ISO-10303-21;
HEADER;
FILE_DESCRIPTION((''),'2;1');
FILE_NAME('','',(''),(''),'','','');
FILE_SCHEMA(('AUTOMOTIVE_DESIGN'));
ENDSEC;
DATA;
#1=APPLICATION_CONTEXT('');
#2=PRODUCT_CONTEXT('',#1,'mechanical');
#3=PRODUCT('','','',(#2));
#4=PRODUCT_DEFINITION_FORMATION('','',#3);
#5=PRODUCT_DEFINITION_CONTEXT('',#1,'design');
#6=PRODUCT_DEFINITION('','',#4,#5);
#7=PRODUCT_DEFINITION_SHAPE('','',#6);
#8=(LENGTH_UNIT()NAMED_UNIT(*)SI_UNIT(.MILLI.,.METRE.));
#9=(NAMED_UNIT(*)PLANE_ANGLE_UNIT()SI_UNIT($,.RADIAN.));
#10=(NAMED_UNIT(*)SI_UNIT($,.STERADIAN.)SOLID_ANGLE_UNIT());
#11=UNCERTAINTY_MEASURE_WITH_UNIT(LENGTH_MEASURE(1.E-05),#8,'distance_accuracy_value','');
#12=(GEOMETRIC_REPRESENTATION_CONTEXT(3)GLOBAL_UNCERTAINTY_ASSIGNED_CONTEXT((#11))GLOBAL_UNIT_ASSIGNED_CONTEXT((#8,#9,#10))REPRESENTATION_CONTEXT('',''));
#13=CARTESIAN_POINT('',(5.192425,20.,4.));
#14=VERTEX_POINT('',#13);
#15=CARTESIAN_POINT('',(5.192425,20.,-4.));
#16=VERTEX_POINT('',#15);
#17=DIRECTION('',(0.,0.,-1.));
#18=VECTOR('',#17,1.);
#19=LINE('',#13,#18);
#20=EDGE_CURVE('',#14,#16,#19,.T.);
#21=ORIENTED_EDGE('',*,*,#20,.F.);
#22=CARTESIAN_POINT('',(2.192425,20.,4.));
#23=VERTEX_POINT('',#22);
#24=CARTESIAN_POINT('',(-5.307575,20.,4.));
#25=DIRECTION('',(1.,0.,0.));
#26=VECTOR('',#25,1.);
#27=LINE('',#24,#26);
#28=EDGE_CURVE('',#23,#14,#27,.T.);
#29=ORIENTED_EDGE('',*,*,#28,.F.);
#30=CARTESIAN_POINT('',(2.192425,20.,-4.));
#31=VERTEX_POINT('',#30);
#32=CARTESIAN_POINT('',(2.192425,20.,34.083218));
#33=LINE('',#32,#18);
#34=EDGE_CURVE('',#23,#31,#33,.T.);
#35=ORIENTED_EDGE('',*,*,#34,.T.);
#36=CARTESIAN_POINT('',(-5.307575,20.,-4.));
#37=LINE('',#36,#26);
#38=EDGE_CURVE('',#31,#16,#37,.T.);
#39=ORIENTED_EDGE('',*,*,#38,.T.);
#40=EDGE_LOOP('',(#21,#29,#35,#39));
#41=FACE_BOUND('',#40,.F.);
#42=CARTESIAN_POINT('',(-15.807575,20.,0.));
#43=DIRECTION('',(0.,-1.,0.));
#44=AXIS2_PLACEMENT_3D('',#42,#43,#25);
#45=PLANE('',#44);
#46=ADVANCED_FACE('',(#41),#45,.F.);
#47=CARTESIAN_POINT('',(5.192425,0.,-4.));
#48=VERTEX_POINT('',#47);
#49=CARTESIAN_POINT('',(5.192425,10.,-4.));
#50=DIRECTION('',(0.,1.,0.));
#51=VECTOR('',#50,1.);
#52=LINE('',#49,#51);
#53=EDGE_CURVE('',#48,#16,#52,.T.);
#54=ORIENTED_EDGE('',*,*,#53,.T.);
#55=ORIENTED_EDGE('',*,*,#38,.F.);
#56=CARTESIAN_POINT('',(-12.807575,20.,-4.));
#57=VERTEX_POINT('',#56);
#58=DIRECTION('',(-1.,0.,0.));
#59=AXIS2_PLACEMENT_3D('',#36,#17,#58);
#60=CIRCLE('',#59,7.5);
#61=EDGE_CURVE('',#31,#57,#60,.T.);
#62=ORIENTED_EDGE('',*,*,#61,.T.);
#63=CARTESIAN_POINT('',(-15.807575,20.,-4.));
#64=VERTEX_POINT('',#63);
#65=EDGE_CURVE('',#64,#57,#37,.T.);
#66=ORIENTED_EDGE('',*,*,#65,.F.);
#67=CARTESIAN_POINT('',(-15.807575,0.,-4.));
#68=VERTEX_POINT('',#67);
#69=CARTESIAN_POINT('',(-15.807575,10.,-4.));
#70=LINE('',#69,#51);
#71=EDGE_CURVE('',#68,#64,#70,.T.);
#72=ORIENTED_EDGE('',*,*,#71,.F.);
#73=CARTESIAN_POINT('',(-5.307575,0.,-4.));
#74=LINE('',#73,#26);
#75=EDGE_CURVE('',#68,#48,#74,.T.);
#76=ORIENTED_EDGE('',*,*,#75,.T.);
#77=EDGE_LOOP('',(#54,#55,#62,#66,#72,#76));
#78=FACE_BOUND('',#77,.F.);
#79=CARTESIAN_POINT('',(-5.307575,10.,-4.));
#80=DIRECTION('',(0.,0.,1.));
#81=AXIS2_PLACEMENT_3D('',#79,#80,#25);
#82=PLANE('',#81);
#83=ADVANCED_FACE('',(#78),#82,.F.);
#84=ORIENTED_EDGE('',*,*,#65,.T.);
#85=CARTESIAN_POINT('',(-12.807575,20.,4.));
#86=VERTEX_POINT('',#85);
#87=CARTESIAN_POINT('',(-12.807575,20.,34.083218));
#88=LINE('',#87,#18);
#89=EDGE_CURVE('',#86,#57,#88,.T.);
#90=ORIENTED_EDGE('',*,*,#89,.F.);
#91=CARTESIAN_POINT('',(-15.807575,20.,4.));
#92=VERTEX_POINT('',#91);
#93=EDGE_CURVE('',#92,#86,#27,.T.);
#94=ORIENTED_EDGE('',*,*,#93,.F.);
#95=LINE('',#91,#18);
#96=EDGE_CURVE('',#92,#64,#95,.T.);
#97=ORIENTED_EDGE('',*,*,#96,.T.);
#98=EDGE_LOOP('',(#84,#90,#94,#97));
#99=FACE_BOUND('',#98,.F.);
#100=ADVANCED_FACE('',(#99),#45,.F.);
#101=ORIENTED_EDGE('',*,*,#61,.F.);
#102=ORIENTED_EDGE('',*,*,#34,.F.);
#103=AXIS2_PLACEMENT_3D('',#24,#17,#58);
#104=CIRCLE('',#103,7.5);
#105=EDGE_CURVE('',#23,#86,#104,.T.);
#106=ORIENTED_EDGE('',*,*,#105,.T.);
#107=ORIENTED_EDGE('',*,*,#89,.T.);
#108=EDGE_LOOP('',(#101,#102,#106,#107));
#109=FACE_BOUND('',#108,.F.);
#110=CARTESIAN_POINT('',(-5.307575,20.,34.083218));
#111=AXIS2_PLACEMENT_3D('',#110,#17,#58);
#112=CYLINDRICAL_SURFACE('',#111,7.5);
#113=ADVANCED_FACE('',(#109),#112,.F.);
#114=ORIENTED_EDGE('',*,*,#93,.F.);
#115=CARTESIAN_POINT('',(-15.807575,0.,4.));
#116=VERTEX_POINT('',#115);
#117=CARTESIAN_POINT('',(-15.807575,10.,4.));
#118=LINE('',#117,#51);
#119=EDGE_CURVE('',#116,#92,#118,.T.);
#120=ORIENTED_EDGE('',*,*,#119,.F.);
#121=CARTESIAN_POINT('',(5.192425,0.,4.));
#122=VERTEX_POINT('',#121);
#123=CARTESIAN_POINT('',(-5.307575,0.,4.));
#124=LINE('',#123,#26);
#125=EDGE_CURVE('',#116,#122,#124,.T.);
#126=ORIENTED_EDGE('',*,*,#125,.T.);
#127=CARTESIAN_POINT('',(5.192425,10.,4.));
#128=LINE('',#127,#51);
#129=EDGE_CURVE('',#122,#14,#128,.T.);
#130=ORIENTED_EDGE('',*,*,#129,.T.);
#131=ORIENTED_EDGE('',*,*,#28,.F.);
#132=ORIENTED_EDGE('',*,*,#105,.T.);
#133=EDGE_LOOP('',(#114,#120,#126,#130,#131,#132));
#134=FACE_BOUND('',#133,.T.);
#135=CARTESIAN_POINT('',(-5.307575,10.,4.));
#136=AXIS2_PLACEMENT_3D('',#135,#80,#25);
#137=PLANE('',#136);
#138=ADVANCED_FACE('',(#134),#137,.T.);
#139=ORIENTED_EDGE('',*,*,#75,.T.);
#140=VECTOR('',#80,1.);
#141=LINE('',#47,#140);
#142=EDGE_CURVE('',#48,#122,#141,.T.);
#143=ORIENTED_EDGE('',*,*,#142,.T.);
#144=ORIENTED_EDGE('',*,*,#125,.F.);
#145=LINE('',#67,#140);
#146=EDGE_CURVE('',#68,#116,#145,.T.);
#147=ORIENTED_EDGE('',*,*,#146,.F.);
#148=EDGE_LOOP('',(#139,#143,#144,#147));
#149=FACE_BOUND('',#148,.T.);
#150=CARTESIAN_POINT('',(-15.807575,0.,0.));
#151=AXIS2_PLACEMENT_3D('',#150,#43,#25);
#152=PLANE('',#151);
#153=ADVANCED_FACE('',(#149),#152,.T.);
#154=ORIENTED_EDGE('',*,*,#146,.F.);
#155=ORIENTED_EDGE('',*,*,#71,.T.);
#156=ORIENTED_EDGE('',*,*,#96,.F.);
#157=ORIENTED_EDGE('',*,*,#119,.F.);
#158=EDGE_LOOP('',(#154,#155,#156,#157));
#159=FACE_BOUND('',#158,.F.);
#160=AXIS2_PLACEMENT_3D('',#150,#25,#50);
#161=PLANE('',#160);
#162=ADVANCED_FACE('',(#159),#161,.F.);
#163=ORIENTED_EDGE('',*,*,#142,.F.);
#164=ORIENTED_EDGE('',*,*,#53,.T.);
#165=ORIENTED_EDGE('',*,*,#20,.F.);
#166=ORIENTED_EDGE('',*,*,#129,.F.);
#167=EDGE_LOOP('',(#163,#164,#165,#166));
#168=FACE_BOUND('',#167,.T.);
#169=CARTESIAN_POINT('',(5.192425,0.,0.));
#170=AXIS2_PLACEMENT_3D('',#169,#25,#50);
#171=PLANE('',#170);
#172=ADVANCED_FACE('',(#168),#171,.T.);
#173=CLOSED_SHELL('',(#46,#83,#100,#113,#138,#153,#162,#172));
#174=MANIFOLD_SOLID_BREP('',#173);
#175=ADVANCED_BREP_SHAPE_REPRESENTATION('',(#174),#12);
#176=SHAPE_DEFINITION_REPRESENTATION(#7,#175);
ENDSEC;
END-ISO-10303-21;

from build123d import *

# Parameters (mm, degrees)
F0_W     = 21
F0_H     = 20
F1_DEPTH = 4
F3_D     = 15


with BuildPart() as f1:
    # F0 (on Top) → F1 (new body, symmetric)
    with BuildSketch(Plane.XY):
        with Locations((-5.307575, 10)):
            Rectangle(F0_W, F0_H)
    extrude(amount=F1_DEPTH, both=True)

    # F3 (through all)
    with Locations(Plane.XY.offset(4)):
        with Locations((-5.307575, 20)):
            Hole(F3_D / 2)


solid = f1.part
